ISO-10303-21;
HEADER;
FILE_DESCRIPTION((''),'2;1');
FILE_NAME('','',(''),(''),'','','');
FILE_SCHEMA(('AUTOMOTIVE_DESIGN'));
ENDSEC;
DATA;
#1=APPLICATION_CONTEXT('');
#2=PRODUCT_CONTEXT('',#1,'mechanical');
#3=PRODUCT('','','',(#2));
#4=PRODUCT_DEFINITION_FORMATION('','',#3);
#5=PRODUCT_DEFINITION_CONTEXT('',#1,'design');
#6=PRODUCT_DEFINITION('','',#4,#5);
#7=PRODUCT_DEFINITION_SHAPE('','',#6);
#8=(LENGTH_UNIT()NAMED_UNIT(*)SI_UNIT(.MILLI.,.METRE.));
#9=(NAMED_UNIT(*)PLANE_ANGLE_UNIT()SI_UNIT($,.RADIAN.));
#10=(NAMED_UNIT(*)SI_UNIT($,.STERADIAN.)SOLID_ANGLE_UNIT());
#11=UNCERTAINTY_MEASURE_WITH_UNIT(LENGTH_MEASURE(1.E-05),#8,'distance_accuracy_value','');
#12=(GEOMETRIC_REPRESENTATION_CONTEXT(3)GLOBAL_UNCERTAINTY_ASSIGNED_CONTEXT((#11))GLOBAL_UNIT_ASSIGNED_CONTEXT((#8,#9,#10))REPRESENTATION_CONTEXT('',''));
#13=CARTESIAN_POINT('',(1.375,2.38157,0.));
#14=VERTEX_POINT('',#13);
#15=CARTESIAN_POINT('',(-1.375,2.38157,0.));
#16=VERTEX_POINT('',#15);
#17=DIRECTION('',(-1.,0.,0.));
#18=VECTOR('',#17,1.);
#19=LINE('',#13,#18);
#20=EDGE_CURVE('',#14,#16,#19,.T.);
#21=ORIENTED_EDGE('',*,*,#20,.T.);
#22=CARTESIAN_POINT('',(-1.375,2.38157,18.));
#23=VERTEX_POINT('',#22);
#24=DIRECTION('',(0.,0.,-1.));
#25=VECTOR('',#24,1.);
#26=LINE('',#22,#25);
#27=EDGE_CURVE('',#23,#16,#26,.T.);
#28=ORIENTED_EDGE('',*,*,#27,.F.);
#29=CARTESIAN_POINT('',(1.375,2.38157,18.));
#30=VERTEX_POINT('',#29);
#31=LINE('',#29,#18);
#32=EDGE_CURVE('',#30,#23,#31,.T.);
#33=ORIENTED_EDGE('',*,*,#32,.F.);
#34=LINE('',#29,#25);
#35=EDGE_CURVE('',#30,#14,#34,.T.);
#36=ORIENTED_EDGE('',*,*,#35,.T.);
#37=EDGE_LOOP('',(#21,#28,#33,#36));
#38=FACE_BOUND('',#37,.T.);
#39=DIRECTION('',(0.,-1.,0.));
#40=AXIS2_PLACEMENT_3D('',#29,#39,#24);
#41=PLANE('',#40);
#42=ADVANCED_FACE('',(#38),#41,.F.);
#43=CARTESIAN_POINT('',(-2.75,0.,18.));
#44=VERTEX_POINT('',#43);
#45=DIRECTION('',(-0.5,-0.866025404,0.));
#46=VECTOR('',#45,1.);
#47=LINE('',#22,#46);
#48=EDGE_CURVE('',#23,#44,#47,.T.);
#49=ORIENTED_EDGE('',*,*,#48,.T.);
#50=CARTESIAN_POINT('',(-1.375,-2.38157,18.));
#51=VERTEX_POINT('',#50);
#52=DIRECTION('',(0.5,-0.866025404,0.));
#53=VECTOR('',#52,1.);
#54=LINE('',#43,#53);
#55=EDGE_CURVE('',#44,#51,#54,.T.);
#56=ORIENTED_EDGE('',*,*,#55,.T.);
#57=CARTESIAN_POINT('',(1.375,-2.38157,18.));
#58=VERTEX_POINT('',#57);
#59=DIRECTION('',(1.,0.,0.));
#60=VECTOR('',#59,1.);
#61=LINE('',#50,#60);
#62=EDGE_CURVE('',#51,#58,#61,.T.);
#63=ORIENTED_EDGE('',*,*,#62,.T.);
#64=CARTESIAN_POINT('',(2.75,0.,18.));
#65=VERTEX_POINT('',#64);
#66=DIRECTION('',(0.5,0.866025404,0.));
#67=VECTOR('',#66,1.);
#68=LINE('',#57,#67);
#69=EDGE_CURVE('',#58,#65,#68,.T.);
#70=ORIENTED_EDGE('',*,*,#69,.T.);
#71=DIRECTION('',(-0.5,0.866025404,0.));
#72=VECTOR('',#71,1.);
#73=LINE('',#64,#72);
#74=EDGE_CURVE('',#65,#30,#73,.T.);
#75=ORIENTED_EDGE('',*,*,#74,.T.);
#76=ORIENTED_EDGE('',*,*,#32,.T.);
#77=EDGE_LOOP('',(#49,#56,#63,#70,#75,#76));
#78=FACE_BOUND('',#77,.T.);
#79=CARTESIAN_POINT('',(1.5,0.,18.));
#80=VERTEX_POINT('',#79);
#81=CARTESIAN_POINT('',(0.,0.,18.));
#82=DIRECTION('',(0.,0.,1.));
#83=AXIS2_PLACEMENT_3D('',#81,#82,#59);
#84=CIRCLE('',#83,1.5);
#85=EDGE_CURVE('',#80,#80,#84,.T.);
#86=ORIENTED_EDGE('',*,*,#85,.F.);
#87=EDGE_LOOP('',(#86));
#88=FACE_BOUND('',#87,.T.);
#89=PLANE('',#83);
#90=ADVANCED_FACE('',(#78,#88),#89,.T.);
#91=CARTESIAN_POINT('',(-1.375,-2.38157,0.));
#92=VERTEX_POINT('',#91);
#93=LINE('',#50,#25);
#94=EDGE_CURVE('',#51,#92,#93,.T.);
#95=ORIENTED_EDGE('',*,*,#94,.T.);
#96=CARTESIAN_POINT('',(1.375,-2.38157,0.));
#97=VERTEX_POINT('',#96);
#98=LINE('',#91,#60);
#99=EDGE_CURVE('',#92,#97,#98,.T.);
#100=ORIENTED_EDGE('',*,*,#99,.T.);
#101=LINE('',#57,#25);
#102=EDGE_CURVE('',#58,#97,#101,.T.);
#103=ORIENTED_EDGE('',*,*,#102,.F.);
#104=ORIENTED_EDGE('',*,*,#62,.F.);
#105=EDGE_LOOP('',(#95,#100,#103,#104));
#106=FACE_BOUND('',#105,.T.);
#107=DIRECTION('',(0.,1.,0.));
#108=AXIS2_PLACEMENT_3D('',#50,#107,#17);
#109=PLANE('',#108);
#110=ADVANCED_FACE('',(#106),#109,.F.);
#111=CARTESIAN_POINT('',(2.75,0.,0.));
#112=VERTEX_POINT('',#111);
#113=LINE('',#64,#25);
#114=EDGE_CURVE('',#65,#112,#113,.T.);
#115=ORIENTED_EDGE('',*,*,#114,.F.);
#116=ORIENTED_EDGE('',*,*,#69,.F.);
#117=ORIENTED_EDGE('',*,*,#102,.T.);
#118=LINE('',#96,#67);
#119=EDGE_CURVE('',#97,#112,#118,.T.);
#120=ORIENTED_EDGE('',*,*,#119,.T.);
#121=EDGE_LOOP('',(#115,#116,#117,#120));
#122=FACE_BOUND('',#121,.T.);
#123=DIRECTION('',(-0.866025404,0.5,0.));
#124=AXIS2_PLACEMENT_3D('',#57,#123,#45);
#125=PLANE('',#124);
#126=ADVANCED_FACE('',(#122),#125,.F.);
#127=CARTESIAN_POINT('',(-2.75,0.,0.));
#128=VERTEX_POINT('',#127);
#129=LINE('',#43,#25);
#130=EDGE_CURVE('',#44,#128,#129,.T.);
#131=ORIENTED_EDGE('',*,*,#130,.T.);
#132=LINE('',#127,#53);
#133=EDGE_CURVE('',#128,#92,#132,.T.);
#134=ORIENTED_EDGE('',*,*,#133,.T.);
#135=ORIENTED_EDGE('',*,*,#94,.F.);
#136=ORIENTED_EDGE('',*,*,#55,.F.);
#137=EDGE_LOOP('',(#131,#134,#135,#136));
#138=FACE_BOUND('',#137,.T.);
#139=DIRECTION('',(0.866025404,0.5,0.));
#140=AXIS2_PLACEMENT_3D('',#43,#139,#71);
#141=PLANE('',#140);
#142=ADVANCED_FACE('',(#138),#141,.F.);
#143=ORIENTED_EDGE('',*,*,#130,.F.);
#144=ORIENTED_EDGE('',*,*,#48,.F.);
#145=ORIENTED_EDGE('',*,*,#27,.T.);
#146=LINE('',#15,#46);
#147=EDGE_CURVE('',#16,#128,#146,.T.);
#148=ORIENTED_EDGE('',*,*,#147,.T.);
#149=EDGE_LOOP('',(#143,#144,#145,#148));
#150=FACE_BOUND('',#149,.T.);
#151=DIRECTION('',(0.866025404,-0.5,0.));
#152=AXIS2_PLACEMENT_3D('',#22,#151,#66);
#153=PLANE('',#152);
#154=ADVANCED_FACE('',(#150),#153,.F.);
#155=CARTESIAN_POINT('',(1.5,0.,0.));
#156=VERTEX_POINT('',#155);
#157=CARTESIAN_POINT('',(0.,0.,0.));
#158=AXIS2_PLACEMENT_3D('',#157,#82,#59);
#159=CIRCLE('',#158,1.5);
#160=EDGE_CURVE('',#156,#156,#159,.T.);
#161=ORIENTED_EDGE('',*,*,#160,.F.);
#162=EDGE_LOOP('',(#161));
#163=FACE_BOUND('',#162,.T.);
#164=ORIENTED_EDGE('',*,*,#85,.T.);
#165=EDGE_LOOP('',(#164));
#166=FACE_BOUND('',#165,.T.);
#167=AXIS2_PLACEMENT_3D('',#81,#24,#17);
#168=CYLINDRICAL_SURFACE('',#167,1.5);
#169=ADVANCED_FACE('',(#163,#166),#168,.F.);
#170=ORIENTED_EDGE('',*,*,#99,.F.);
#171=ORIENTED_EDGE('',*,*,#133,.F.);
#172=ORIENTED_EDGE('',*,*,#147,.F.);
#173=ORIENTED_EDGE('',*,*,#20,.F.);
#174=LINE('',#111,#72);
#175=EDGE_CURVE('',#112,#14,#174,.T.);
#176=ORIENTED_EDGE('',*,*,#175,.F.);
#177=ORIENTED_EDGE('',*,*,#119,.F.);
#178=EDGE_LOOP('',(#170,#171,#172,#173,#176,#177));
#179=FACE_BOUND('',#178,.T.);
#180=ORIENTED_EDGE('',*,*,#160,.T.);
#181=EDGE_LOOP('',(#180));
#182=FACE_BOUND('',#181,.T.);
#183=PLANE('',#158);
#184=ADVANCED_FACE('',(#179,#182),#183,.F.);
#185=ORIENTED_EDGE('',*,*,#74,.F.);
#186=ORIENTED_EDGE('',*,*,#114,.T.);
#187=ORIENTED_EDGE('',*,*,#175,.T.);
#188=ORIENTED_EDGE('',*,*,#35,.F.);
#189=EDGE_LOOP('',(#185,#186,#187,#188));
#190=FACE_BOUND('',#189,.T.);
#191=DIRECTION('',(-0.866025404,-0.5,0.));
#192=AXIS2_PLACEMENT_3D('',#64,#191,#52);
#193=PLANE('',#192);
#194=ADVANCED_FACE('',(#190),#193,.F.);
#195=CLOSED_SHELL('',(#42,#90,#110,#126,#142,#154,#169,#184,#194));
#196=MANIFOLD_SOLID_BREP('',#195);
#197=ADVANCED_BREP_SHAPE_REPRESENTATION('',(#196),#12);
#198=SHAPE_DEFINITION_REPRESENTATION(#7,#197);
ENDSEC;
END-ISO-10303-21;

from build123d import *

# Parameters (mm, degrees)
SKETCH1_R           = 1.5
BOSS_EXTRUDE1_DEPTH = 18


with BuildPart() as part:
    # Sketch1 → Boss-Extrude1 (new body)
    with BuildSketch(Plane.XY):
        Polygon((-1.375, 2.38156986), (-2.75, 0), (-1.375, -2.38156986), (1.375, -2.38156986), (2.75, 0), (1.375, 2.38156986), align=None)
        Circle(SKETCH1_R, mode=Mode.SUBTRACT)
    extrude(amount=BOSS_EXTRUDE1_DEPTH)


solid = part.part
